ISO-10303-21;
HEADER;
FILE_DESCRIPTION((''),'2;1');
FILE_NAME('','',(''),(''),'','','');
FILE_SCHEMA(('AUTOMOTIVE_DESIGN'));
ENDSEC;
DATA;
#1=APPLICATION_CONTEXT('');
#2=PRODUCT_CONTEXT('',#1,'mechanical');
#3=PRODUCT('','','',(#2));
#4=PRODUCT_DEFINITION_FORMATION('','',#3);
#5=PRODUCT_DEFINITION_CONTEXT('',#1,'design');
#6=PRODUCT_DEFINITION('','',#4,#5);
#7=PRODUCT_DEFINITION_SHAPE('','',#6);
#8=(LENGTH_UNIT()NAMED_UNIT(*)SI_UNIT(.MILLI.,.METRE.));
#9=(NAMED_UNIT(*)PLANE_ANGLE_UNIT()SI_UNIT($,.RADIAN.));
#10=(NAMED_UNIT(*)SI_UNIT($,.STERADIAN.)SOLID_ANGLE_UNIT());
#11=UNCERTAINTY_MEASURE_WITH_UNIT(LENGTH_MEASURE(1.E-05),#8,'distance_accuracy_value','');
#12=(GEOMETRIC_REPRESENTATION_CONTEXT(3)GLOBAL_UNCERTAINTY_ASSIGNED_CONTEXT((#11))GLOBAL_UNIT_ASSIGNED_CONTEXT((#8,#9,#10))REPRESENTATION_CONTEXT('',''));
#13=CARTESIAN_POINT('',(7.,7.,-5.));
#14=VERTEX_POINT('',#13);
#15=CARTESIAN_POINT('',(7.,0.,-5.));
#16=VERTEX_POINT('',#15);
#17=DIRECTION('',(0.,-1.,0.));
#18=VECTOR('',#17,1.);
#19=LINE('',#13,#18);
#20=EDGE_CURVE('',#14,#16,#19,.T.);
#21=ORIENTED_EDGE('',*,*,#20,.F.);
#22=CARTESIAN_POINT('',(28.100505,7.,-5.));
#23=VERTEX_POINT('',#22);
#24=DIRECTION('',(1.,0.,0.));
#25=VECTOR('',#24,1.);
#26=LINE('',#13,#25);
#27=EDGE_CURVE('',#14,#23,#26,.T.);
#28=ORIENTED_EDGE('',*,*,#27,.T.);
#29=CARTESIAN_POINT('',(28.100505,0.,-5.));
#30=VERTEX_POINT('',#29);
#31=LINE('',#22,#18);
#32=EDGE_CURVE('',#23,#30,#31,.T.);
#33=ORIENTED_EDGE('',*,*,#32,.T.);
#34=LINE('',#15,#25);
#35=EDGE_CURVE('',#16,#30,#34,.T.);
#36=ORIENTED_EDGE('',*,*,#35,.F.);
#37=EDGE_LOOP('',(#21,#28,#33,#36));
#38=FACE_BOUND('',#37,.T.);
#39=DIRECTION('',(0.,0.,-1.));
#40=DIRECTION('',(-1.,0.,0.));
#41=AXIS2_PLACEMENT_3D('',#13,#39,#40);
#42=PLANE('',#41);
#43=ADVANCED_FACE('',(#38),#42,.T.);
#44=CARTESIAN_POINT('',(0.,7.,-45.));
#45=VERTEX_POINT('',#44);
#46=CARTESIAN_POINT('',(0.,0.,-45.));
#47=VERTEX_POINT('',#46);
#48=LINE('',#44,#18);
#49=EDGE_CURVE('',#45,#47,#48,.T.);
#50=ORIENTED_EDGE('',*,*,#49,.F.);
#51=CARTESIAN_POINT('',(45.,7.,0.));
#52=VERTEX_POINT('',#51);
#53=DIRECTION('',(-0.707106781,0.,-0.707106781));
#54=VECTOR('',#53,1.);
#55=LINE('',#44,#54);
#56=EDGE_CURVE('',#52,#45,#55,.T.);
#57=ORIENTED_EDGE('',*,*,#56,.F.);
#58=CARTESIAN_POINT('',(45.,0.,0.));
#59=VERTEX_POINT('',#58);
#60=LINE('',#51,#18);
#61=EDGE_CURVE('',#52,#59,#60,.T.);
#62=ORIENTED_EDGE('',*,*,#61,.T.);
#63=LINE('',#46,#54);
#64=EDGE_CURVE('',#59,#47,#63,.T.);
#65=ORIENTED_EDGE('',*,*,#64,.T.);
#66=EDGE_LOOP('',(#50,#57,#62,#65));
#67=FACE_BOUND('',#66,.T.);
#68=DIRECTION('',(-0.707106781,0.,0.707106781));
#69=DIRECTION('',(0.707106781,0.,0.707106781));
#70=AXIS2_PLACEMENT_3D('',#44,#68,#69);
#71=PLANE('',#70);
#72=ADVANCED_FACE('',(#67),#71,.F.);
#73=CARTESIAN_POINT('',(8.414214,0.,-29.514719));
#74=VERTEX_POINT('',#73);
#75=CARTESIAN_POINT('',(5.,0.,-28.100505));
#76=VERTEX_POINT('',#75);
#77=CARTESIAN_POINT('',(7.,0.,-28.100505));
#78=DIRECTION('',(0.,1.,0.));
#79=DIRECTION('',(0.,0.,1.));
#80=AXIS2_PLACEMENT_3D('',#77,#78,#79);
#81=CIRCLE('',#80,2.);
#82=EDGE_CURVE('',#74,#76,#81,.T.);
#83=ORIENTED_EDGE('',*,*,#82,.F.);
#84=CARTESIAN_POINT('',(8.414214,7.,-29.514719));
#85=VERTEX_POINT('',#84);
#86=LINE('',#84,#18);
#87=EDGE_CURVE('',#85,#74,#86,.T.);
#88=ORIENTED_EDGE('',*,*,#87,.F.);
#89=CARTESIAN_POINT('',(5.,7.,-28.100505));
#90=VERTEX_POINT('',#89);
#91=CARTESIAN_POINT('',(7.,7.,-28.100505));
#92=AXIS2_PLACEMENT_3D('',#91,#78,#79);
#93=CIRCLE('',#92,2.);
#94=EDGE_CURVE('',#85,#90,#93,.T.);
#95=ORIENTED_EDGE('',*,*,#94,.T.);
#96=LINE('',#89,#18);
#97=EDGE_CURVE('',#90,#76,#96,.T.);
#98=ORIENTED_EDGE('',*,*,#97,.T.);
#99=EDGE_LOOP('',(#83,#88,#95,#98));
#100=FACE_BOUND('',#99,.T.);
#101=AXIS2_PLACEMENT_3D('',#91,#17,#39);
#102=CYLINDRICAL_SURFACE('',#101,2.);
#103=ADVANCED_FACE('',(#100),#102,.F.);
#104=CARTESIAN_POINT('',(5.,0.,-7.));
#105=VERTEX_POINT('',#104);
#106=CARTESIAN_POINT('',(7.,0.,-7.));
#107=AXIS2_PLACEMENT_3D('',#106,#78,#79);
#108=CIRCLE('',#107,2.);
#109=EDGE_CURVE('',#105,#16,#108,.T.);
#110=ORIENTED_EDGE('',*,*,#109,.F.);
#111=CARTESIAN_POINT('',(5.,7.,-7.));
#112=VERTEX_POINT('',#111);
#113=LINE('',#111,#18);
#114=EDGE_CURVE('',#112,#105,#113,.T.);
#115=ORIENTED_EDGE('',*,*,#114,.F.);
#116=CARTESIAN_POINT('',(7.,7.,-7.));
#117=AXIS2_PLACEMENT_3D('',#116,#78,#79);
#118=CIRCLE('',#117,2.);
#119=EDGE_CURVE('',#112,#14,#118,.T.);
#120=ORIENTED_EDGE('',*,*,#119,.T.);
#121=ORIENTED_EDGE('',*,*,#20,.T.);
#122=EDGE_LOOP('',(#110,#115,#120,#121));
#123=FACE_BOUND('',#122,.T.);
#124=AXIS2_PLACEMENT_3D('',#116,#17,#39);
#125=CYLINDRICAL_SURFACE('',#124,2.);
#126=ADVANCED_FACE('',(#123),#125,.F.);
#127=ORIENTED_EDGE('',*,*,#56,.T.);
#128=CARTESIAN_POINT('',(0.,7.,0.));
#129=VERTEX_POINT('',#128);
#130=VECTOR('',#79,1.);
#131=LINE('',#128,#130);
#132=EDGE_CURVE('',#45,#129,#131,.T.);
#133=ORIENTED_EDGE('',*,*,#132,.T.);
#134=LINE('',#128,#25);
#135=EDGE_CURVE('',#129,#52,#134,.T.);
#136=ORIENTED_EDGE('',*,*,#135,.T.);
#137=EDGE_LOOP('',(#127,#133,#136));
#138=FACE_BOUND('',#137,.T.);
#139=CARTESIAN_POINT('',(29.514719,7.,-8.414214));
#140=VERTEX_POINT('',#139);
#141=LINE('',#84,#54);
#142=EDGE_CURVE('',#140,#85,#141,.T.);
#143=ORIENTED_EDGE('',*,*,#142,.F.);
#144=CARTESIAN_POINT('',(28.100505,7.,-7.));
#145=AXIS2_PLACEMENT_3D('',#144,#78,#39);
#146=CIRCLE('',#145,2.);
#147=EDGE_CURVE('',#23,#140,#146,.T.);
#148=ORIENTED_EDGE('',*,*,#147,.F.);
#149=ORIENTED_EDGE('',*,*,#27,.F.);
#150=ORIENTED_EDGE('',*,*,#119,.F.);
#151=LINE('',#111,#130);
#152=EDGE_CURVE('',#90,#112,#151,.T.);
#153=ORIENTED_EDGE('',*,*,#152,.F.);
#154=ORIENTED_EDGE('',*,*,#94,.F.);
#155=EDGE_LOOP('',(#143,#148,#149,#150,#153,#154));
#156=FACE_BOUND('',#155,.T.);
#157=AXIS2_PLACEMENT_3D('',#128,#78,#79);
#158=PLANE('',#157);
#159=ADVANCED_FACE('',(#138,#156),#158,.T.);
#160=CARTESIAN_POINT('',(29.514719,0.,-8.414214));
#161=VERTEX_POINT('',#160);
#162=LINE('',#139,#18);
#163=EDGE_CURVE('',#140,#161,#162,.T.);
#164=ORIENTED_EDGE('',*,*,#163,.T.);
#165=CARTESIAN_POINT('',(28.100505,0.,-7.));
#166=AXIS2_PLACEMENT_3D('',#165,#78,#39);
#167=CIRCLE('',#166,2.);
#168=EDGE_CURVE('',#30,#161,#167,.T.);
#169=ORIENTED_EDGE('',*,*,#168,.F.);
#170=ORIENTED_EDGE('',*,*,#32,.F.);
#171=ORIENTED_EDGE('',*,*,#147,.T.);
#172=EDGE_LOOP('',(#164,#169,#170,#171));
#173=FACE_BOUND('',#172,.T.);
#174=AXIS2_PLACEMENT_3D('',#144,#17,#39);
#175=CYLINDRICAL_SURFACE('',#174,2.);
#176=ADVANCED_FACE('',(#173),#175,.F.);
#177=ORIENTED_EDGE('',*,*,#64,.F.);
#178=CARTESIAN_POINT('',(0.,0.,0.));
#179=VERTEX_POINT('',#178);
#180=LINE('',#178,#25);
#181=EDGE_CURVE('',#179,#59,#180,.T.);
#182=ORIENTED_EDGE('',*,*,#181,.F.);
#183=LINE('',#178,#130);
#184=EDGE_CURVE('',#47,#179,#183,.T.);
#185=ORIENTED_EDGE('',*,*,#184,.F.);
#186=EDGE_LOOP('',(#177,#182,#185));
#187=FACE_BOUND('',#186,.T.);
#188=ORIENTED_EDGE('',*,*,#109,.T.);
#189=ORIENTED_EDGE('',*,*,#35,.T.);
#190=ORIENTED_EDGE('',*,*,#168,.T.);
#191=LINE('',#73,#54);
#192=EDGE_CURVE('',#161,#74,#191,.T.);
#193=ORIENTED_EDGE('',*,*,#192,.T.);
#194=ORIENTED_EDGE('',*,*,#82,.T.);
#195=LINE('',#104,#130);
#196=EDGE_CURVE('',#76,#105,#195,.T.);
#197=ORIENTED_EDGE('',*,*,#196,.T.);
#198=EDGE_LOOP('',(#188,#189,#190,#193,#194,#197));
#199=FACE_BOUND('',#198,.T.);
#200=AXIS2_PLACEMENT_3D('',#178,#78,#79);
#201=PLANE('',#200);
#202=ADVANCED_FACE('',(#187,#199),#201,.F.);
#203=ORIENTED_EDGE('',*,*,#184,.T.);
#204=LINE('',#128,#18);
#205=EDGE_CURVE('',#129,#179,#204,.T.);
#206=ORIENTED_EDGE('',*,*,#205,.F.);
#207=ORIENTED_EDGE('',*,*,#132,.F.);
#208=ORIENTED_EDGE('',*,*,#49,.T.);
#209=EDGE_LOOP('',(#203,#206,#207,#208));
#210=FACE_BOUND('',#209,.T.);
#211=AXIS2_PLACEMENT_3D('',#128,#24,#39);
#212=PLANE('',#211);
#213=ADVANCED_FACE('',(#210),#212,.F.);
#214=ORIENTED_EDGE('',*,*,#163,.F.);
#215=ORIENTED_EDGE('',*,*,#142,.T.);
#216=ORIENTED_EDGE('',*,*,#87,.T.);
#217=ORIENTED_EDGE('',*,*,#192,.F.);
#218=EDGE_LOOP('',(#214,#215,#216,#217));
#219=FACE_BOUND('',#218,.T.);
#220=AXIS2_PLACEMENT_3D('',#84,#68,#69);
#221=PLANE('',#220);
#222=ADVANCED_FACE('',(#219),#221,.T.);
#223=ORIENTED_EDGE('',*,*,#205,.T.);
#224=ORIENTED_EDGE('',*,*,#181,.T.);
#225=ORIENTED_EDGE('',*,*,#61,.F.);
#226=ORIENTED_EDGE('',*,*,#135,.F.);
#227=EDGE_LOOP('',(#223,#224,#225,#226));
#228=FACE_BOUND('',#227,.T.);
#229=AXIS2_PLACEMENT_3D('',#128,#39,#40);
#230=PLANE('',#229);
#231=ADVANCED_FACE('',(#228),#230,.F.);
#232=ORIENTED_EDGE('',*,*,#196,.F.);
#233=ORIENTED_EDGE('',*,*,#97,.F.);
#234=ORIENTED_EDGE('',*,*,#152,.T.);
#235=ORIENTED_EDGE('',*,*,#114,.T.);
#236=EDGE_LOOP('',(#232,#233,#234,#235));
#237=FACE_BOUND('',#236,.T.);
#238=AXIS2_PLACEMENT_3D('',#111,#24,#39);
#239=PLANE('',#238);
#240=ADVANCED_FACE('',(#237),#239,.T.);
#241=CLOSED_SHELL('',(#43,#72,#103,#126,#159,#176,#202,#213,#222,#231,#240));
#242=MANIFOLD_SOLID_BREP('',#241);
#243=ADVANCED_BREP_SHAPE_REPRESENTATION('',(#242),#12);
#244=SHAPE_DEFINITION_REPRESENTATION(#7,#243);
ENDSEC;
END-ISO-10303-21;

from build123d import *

# Parameters (mm, degrees)
BOSS_EXTRUDE1_DEPTH = 7


with BuildPart() as part:
    # Sketch1 → Boss-Extrude1 (new body)
    with BuildSketch(Plane(origin=(0, 0, 0), x_dir=(1, 0, 0), z_dir=(0, 1, 0))):
        Polygon((0, 0), (0, 45), (45, 0), align=None)
        with BuildLine():
            Line((5, 7), (5, 28.100505063))
            ThreePointArc((5, 28.100505063), (6.234633135, 29.948264128), (8.414213562, 29.514718626))
            Line((8.414213562, 29.514718626), (29.514718626, 8.414213562))
            ThreePointArc((29.514718626, 8.414213562), (29.948264128, 6.234633135), (28.100505063, 5))
            Line((28.100505063, 5), (7, 5))
            ThreePointArc((7, 5), (5.585786438, 5.585786438), (5, 7))
        make_face(mode=Mode.SUBTRACT)
    extrude(amount=BOSS_EXTRUDE1_DEPTH)


solid = part.part
